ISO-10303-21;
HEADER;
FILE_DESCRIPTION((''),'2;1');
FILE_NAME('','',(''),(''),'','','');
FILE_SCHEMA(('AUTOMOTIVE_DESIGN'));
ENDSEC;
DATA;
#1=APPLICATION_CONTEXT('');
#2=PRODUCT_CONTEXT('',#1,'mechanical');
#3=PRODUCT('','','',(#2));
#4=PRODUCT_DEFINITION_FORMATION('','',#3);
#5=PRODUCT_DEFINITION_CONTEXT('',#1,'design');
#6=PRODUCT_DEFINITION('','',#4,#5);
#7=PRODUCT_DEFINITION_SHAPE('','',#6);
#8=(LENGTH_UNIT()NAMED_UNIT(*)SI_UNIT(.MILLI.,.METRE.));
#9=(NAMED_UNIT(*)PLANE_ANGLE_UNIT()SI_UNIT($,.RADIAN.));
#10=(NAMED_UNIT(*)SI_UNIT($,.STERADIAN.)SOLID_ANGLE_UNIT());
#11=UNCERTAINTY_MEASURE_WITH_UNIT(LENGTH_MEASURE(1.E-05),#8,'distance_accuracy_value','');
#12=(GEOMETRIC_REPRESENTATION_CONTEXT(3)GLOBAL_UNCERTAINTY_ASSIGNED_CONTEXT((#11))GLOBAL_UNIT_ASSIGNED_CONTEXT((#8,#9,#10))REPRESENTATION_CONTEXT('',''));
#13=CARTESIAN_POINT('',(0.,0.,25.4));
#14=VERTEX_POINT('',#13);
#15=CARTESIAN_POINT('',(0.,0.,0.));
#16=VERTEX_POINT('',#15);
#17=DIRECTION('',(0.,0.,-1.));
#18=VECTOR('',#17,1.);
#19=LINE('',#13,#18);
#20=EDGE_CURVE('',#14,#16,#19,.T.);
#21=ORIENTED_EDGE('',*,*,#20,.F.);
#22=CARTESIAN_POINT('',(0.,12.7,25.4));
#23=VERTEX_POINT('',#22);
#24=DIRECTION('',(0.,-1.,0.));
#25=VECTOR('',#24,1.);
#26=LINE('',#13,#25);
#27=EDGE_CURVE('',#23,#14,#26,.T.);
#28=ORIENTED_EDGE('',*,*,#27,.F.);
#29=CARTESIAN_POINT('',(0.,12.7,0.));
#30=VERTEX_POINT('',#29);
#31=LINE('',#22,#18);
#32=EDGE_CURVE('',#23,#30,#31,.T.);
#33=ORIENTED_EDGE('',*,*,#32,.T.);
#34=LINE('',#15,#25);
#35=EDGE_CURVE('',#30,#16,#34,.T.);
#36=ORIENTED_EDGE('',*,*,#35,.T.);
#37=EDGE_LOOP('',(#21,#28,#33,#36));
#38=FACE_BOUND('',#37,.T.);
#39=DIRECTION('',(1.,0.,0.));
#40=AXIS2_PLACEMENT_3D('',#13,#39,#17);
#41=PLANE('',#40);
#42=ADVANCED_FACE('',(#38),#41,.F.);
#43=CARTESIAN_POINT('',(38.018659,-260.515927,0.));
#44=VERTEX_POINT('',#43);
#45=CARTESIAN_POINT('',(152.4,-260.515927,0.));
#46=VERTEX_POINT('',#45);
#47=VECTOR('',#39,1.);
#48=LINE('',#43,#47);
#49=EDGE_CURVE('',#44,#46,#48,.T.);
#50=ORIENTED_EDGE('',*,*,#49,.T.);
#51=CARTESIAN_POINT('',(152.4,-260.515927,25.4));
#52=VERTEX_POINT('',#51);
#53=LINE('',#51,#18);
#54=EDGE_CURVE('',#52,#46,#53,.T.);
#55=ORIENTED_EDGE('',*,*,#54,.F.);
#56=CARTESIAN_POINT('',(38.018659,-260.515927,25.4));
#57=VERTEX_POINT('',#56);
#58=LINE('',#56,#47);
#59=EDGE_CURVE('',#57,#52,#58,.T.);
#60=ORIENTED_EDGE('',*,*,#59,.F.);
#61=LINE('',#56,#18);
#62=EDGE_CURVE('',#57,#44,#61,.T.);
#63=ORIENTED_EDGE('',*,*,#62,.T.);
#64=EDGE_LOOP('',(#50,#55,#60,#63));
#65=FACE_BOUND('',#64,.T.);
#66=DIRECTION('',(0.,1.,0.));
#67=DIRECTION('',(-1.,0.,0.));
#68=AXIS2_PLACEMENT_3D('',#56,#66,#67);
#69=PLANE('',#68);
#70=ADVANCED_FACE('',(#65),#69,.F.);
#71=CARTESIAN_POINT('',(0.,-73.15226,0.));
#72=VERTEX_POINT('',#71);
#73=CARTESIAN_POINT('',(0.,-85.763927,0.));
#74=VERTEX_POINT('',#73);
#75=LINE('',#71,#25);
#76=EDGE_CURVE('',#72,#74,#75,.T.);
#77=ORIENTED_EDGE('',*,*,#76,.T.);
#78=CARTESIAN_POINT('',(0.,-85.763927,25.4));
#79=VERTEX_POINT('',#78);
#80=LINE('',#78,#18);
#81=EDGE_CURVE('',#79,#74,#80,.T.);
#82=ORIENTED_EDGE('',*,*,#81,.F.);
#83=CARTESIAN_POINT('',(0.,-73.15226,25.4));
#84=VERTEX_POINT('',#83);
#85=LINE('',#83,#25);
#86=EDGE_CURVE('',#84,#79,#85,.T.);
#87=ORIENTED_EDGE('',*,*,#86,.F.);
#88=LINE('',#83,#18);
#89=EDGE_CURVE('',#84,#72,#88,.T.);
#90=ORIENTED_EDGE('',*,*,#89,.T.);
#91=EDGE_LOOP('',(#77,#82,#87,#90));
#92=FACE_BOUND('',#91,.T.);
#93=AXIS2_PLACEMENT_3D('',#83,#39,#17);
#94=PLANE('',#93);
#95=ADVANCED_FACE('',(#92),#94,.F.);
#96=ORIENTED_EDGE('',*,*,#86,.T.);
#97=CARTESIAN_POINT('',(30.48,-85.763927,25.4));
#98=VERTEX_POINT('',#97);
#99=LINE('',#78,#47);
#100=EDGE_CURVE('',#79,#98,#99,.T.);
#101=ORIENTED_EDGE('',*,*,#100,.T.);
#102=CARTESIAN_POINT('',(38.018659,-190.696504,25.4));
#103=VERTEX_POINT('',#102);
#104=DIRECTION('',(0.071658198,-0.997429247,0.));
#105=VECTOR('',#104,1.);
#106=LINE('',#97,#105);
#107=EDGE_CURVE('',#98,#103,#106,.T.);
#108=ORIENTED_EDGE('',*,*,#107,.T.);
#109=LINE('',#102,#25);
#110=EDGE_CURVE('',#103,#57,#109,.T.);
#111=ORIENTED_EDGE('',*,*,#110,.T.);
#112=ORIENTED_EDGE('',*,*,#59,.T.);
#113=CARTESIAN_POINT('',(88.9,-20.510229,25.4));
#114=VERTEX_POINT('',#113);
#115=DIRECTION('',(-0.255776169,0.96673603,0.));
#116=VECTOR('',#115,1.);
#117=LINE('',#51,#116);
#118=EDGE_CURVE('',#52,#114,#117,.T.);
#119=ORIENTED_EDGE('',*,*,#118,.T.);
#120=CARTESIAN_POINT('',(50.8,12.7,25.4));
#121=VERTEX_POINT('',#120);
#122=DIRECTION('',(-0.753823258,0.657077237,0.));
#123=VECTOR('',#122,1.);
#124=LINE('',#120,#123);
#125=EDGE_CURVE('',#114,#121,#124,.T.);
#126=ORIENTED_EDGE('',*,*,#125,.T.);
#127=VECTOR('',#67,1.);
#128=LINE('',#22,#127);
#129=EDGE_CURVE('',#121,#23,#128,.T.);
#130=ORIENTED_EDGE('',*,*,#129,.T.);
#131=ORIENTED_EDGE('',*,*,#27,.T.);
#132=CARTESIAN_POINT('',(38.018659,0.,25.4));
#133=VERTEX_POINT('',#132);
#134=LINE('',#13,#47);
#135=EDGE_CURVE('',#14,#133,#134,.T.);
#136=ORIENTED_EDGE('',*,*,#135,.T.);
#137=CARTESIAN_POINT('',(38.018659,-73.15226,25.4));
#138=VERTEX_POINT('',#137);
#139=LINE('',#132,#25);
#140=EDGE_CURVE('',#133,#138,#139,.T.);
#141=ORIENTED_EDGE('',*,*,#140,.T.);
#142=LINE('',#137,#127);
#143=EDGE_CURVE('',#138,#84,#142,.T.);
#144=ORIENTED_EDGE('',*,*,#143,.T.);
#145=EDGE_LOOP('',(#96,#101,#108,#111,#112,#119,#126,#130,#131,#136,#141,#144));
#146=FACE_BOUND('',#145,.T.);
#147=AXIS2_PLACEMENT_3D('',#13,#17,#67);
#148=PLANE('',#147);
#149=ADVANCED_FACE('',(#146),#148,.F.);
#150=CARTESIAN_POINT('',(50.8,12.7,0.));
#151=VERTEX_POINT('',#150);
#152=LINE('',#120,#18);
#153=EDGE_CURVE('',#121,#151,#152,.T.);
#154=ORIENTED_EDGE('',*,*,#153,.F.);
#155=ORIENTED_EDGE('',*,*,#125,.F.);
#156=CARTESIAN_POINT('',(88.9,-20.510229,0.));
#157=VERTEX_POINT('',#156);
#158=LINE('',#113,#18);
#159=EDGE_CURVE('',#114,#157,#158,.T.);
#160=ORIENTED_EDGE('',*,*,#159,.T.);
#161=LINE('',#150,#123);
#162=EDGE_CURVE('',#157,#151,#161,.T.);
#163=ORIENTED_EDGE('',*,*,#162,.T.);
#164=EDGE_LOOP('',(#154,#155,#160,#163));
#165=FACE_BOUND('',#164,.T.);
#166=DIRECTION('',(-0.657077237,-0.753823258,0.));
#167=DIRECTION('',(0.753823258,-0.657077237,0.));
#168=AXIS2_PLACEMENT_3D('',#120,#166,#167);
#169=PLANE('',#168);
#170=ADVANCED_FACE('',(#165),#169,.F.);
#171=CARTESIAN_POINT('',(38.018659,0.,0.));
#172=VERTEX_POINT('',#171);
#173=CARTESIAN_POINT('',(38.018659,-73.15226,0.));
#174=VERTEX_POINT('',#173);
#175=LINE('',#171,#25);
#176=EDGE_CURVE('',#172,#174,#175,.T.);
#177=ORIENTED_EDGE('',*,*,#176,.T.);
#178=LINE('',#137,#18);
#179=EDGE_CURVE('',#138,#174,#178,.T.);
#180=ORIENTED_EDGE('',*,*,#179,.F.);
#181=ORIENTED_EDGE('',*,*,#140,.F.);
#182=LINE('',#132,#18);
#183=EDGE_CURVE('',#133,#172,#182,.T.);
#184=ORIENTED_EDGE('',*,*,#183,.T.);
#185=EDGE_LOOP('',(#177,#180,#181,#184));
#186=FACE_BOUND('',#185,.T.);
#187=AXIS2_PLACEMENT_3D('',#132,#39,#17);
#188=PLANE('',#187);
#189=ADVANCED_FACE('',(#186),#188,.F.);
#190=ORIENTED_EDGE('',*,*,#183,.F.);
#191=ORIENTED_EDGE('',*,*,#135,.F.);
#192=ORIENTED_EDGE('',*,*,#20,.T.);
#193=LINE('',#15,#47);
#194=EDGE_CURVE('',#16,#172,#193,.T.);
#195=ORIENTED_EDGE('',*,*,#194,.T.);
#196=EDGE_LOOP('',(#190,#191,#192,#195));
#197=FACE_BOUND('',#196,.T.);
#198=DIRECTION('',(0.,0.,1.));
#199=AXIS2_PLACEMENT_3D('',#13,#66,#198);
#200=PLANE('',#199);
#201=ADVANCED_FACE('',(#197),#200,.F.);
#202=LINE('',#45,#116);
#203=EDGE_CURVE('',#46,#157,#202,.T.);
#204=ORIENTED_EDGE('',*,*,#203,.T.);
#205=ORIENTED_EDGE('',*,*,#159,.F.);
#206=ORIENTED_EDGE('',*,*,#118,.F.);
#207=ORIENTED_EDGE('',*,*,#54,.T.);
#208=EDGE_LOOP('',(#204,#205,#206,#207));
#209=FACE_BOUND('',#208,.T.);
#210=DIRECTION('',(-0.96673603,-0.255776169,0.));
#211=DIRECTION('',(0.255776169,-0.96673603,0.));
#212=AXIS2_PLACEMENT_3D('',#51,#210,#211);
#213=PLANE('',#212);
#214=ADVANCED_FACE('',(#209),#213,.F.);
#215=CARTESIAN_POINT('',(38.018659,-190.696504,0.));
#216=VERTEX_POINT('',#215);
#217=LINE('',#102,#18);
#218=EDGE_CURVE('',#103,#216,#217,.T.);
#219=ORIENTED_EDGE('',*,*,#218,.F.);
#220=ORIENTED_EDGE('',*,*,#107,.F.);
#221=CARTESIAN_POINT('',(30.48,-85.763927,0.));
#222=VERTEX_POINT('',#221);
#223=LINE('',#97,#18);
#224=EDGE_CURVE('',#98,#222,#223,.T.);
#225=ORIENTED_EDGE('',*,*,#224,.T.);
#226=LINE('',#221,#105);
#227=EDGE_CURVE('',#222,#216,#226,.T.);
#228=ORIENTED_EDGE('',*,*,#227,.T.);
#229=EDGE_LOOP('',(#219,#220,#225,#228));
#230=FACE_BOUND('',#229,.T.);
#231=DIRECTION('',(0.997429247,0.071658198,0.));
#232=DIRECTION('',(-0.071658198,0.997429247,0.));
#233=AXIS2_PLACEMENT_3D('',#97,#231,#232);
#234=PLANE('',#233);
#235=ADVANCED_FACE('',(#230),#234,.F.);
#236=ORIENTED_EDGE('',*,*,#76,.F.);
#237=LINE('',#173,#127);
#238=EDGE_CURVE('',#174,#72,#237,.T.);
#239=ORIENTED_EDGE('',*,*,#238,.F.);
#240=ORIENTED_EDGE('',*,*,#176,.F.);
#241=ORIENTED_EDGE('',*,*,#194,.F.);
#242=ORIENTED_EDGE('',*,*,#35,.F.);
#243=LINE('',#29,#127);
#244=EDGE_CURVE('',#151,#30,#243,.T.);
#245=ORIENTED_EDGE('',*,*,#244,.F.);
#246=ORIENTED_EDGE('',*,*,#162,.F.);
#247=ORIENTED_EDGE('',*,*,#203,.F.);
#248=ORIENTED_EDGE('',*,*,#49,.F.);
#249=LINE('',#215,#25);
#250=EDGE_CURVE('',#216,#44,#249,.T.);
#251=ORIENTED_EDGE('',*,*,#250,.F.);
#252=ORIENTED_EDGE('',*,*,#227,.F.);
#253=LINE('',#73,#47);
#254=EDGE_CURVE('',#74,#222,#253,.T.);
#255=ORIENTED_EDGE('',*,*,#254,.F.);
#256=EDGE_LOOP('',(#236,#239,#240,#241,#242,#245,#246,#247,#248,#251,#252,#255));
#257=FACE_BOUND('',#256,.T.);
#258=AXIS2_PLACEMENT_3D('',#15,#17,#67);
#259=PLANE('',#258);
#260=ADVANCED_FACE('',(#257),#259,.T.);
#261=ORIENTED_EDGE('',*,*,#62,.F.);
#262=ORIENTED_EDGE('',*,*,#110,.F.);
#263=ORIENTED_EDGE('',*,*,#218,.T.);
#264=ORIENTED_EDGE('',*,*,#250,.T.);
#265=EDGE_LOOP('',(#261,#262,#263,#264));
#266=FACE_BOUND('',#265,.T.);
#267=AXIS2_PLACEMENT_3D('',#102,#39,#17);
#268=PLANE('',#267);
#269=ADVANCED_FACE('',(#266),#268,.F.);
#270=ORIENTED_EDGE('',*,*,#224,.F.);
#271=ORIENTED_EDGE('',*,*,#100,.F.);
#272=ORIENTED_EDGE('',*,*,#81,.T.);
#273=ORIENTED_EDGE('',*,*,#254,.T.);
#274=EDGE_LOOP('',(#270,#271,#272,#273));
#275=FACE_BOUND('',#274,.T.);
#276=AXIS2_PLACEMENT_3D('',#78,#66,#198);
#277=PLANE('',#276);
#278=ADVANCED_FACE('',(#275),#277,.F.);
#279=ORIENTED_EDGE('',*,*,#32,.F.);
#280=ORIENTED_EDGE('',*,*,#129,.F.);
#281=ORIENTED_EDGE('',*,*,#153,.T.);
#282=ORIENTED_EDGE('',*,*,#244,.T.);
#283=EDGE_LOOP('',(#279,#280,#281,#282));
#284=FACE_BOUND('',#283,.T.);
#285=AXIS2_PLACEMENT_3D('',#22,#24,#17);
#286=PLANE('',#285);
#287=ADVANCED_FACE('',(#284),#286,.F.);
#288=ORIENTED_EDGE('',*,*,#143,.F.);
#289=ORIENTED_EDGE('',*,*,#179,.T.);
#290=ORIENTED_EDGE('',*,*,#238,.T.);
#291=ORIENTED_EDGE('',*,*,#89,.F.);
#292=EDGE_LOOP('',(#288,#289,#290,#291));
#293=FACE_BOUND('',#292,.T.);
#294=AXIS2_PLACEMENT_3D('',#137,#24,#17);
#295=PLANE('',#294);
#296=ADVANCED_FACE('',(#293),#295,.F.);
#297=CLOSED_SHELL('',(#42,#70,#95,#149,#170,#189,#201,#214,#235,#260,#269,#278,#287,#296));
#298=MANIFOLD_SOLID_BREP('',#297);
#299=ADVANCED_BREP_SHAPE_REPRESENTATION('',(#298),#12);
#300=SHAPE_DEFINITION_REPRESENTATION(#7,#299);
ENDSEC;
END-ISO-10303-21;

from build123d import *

# Parameters (mm, degrees)
BOSS_EXTRUDE1_DEPTH = 25.4


with BuildPart() as part:
    # Sketch1 → Boss-Extrude1 (new body)
    with BuildSketch(Plane.XY):
        Polygon((0, 0), (0, 12.7), (50.8, 12.7), (88.9, -20.510228633), (152.4, -260.515926793), (38.018659419, -260.515926793), (38.018659419, -190.696503564), (30.48, -85.763926793), (0, -85.763926793), (0, -73.152260366), (38.018659419, -73.152260366), (38.018659419, 0), align=None)
    extrude(amount=BOSS_EXTRUDE1_DEPTH)


solid = part.part
